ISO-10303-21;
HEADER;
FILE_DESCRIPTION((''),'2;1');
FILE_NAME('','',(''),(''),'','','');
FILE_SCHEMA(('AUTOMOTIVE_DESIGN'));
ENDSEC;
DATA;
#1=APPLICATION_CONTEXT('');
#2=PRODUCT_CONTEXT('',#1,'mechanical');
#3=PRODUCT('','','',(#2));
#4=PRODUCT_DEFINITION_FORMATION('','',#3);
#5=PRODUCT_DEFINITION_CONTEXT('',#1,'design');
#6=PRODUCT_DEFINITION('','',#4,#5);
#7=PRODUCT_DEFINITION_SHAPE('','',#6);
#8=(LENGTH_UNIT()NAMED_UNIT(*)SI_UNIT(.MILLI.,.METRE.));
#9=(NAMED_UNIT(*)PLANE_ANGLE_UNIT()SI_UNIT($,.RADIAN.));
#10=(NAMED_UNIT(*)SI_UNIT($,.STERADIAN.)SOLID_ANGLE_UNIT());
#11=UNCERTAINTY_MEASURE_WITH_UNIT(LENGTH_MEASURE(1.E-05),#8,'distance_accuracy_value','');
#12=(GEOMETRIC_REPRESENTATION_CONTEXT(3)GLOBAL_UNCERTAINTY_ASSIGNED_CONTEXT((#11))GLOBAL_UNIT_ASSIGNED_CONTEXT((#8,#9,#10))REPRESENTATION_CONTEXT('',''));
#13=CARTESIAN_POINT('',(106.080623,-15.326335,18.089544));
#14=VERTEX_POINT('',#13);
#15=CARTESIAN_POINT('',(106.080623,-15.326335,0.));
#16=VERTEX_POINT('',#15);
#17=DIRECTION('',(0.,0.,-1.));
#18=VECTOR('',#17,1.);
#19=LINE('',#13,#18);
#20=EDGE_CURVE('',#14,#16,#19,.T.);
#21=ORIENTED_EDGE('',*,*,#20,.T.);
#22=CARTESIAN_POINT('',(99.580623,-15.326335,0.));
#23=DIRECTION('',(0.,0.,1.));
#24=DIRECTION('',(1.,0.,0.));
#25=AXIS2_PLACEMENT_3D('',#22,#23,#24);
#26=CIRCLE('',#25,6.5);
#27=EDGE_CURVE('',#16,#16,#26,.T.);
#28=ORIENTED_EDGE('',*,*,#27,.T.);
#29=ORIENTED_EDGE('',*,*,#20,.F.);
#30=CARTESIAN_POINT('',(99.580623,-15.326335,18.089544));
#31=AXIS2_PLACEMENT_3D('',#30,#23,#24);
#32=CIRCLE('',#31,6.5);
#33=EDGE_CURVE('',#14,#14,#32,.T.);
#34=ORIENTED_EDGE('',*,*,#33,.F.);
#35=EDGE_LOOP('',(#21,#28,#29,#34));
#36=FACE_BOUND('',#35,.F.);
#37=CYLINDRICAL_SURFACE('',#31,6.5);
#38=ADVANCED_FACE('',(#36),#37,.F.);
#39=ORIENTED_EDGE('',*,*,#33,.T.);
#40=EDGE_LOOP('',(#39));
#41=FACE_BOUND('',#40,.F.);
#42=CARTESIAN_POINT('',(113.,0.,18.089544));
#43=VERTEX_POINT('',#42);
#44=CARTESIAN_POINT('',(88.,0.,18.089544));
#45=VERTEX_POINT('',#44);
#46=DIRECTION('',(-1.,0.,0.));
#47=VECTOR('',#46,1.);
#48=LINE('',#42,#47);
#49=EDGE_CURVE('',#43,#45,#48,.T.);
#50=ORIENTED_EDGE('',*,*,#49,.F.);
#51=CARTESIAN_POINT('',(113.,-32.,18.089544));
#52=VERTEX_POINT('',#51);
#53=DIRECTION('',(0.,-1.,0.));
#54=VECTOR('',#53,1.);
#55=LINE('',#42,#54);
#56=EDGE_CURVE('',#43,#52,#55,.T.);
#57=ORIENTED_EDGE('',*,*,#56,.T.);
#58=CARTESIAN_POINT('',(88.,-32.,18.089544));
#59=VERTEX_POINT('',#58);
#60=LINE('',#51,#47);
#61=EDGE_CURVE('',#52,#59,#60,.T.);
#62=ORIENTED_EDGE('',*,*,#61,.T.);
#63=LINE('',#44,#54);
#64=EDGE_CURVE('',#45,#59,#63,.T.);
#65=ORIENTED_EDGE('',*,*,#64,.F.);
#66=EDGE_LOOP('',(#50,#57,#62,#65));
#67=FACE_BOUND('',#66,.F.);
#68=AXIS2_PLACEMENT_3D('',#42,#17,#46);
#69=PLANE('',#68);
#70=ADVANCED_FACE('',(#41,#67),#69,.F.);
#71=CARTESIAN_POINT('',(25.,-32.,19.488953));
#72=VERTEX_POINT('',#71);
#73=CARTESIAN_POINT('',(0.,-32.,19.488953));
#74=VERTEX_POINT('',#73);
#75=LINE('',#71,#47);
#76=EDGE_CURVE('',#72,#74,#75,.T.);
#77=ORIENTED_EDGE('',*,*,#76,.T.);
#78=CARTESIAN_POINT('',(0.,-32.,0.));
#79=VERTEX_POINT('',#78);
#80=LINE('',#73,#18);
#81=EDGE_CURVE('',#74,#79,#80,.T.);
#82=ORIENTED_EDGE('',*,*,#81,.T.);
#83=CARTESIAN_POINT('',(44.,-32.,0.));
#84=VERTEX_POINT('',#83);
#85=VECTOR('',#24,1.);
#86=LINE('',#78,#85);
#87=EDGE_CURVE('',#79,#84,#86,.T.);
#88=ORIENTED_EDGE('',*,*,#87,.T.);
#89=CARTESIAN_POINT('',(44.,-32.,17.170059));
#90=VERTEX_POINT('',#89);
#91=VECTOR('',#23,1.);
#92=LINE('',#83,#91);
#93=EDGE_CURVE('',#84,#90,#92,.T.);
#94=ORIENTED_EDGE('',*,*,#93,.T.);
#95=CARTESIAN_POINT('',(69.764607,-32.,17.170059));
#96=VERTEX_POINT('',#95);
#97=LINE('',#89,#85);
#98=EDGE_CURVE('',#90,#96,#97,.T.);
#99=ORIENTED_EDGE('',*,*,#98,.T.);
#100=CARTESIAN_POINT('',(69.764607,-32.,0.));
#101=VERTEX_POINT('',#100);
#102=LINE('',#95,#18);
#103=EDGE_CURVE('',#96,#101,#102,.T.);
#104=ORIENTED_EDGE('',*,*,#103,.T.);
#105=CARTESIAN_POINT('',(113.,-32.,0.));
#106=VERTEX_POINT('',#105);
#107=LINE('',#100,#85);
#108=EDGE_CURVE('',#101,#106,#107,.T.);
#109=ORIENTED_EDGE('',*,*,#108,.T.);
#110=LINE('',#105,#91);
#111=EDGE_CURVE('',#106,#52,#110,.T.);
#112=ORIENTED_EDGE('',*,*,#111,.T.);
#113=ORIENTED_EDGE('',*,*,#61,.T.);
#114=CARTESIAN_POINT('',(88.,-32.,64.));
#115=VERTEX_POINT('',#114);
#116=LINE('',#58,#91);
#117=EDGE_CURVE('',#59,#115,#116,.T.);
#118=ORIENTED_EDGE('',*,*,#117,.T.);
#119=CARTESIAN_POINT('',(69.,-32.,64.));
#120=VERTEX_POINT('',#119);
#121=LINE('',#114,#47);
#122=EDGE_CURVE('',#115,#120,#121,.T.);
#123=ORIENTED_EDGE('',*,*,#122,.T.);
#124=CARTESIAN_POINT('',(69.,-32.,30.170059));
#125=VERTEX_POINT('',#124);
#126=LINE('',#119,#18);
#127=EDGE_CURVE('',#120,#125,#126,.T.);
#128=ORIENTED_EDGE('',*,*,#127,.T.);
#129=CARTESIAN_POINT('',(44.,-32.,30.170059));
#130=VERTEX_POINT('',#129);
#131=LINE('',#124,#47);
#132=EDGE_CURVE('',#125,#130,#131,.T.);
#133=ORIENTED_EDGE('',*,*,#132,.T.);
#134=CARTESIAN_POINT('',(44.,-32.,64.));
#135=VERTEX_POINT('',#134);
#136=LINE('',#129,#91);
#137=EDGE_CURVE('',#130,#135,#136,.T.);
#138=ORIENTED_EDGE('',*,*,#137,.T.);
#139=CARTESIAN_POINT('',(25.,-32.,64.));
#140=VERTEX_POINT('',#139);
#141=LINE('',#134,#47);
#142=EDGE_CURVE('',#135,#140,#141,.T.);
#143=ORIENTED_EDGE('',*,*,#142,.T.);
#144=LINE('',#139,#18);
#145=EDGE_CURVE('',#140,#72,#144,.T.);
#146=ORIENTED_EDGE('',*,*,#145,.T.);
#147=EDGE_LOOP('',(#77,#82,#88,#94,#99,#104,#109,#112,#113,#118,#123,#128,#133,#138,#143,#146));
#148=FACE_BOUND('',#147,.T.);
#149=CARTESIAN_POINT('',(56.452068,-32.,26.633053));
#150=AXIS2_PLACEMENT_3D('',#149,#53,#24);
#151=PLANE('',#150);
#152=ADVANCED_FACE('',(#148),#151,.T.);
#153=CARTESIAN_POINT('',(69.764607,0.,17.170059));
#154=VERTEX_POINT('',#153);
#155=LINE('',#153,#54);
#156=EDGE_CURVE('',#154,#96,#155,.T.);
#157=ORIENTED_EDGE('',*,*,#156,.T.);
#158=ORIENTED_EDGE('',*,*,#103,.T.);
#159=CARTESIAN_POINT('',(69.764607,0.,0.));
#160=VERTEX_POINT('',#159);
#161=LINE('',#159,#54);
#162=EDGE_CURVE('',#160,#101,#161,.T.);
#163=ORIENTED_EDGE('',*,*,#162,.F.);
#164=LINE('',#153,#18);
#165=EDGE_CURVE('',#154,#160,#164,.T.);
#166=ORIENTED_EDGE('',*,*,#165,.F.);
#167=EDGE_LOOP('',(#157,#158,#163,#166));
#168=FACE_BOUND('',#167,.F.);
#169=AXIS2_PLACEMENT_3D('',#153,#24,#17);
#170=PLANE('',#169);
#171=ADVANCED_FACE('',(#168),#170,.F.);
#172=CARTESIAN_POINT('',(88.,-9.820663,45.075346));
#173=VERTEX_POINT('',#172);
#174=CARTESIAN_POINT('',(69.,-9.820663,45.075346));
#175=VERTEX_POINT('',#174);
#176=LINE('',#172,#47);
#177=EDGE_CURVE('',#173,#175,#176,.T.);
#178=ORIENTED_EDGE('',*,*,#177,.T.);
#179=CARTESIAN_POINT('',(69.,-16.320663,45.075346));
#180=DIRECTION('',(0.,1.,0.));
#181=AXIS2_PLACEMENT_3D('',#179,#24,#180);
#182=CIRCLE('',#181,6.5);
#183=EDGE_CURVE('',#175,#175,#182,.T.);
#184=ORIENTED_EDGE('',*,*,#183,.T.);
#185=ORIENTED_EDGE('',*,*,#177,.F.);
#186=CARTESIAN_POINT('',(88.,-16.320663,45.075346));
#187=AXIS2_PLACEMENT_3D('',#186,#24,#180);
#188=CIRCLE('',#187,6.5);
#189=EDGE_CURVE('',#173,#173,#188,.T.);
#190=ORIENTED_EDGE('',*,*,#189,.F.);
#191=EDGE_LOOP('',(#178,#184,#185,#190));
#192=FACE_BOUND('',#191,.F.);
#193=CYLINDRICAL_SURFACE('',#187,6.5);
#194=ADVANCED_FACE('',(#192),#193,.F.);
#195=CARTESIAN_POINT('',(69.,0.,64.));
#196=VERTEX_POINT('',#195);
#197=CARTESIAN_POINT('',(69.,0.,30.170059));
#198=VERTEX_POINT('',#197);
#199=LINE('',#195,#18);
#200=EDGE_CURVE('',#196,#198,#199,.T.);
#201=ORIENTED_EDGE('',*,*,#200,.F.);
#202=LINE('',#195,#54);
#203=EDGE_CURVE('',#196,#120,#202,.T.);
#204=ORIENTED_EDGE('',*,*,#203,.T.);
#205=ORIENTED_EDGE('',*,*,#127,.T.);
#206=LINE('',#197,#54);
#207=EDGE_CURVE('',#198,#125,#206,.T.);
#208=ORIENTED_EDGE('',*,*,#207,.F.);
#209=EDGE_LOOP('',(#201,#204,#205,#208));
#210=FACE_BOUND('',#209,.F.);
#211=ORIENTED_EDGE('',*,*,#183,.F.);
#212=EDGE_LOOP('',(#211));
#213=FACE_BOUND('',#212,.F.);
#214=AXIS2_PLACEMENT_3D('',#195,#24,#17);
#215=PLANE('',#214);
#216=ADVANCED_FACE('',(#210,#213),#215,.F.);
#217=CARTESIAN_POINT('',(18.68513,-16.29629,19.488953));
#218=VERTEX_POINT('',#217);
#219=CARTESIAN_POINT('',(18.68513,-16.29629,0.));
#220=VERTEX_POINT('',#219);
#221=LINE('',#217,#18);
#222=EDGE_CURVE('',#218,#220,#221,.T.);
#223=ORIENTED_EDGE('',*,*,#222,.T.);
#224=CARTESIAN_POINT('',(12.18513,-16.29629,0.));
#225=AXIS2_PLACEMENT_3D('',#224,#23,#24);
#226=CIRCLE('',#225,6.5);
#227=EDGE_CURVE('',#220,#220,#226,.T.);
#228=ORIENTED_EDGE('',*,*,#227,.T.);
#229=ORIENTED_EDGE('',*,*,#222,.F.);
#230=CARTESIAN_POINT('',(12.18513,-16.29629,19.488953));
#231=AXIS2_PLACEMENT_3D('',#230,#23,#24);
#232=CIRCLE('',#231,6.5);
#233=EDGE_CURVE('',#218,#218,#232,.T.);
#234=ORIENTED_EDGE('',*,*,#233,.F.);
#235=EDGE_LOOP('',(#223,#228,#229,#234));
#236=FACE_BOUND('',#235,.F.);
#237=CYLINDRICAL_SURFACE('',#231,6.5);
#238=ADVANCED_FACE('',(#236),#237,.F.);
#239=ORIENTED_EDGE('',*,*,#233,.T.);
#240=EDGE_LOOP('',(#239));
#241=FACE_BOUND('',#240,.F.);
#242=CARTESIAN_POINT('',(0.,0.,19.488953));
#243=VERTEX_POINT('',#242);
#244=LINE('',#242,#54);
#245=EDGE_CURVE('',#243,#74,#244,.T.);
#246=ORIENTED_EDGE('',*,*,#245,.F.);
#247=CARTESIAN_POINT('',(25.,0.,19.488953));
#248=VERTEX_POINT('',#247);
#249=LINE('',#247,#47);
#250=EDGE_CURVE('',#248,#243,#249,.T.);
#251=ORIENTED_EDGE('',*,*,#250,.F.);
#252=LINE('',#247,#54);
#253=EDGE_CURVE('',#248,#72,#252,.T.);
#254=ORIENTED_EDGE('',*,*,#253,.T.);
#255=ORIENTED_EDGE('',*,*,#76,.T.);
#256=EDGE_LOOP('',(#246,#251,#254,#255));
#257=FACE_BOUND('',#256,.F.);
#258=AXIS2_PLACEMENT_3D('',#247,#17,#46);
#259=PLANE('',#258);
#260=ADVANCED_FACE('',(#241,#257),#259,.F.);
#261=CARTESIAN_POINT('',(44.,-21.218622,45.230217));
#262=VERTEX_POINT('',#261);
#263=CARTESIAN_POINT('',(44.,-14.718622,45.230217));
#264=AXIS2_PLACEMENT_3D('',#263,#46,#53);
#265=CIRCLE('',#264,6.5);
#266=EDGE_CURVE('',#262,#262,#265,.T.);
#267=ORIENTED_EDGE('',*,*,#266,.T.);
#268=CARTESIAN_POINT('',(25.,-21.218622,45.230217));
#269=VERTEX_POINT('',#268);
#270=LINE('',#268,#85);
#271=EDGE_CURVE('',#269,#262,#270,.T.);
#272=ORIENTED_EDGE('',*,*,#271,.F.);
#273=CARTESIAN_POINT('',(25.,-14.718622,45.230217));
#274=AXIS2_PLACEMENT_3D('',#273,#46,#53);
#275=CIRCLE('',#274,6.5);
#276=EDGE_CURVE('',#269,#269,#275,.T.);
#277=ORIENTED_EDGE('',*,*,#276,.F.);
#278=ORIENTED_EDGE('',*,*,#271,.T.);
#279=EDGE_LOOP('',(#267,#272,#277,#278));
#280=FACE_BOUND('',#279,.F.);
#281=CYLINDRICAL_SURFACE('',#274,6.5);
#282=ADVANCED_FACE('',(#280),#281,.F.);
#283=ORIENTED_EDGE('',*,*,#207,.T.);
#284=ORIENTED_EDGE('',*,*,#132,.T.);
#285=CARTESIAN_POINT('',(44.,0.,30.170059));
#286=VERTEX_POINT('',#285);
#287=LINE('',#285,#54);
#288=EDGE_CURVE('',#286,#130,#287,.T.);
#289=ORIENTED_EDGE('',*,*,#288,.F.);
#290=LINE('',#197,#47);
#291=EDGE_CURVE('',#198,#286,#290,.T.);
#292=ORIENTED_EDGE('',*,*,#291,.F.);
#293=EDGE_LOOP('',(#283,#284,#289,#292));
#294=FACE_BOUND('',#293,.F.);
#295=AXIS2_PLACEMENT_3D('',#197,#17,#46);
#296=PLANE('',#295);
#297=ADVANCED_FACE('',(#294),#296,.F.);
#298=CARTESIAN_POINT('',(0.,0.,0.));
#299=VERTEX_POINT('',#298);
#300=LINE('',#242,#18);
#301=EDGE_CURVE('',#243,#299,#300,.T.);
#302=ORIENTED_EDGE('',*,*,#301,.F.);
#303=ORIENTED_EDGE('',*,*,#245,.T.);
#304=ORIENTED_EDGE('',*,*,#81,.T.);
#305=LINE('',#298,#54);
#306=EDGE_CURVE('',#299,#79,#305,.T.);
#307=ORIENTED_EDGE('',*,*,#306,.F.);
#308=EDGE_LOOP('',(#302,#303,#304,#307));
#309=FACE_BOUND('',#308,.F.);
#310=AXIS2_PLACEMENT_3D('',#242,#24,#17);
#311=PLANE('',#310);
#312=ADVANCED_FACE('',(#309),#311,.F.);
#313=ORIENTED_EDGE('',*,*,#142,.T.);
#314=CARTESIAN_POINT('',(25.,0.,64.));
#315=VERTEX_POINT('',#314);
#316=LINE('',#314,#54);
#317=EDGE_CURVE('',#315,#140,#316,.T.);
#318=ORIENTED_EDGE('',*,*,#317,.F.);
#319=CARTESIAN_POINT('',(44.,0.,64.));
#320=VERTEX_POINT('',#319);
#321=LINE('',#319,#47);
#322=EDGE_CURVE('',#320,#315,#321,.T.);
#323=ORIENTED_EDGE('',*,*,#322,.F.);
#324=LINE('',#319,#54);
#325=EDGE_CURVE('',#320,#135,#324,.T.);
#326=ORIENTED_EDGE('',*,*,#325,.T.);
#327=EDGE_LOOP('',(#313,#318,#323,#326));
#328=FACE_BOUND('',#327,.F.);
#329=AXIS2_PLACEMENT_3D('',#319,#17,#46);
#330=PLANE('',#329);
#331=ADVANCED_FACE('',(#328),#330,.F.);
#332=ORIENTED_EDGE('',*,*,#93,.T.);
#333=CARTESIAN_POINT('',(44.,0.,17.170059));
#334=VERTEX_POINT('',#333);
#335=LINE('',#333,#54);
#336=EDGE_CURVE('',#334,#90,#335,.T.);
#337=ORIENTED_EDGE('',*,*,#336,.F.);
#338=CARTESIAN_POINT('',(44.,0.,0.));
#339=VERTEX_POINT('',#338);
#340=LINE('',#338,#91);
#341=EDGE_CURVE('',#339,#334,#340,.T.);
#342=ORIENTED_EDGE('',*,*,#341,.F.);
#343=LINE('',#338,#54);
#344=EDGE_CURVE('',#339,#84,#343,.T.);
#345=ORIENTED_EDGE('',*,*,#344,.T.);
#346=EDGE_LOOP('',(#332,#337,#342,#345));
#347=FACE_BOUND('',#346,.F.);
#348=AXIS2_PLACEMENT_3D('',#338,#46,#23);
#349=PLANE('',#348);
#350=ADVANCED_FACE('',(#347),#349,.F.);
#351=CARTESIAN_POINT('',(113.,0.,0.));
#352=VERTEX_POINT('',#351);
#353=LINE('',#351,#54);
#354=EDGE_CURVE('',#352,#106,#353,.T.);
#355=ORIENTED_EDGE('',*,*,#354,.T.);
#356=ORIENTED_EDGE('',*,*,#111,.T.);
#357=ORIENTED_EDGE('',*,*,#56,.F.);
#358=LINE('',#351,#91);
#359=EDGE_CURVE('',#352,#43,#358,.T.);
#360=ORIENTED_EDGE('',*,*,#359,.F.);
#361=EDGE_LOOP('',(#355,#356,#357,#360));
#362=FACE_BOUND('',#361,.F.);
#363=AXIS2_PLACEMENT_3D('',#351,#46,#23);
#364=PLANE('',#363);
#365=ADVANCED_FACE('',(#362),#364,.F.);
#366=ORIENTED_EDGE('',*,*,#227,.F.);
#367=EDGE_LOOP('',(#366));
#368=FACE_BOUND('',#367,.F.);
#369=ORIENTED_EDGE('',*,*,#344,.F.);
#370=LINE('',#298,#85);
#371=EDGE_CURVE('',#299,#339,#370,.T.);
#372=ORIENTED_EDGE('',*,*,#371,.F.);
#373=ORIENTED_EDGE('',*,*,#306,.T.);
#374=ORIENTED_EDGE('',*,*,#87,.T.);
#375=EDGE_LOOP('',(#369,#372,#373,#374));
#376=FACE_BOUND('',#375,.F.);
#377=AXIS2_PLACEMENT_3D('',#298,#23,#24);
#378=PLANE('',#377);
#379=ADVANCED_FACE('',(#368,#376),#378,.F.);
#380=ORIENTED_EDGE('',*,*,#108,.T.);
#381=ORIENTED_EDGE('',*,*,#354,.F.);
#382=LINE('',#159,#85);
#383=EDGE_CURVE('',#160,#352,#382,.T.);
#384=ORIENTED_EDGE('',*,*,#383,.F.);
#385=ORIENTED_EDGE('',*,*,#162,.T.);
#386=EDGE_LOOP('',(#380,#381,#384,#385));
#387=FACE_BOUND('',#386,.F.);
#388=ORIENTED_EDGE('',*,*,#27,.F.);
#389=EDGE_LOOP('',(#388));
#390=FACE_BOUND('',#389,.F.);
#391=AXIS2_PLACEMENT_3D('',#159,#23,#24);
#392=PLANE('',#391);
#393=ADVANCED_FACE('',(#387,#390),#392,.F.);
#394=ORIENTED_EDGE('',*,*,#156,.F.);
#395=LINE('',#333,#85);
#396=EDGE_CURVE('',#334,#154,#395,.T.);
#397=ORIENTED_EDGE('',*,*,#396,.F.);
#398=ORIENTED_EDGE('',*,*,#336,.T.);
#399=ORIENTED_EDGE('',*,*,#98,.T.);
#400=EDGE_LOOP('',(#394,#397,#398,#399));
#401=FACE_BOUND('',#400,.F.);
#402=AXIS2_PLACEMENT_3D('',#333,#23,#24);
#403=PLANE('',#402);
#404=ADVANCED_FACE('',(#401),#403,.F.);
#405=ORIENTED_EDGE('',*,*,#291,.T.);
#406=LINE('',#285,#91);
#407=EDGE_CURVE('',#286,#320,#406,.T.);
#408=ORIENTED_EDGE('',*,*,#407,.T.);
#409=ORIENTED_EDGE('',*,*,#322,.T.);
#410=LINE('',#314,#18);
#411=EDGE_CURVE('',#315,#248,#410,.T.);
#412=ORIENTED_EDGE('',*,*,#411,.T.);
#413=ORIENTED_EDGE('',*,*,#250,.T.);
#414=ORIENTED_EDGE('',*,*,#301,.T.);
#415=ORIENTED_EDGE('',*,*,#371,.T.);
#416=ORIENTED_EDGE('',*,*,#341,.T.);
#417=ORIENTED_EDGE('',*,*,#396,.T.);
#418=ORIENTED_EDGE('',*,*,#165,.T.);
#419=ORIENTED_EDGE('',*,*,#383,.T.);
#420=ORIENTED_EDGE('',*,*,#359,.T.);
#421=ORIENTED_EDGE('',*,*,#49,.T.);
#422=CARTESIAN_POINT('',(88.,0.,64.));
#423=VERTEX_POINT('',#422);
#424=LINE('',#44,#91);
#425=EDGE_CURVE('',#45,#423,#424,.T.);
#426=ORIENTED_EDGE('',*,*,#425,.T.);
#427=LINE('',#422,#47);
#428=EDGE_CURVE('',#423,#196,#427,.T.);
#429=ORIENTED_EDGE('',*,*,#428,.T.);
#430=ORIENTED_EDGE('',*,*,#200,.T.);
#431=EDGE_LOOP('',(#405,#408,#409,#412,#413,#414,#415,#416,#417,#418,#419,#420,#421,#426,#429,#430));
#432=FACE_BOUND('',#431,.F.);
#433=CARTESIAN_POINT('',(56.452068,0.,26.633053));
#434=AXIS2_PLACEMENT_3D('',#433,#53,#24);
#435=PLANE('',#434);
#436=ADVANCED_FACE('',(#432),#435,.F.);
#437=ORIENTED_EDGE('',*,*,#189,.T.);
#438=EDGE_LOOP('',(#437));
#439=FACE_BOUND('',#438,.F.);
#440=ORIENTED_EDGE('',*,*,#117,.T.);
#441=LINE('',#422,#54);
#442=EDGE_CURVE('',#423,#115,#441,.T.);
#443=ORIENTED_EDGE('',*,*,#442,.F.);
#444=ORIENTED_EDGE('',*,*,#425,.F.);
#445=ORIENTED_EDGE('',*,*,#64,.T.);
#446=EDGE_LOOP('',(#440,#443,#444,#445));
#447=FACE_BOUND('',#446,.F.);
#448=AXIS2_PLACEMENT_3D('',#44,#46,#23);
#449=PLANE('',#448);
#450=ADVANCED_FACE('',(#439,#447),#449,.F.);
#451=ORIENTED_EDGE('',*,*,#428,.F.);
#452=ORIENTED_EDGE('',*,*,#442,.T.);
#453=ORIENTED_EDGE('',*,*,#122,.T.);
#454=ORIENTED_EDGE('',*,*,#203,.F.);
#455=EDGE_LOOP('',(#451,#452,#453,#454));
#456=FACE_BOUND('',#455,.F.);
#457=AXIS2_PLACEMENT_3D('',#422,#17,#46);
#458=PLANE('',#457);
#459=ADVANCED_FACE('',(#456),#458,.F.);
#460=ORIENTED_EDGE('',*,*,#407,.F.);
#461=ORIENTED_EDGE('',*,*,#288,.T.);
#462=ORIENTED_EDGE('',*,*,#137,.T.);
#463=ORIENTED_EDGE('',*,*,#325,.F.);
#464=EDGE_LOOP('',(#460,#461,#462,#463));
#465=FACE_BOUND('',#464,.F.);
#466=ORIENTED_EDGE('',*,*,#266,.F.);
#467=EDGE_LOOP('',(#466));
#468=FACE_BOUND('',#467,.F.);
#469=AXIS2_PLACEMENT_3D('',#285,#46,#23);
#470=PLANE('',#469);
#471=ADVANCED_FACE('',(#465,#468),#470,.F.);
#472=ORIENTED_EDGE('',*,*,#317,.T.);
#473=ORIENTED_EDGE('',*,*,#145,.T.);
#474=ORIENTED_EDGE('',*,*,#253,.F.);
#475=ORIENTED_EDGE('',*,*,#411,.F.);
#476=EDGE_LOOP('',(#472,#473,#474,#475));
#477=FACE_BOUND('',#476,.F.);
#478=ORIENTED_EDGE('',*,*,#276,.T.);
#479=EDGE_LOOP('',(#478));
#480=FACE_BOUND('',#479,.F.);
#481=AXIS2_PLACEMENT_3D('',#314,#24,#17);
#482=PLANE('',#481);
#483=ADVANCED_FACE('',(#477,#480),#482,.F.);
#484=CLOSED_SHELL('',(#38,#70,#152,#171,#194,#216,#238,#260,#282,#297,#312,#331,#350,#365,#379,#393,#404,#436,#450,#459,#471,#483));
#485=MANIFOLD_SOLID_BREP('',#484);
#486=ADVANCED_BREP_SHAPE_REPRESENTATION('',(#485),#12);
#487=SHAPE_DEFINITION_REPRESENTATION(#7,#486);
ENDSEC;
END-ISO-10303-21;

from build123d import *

# Parameters (mm, degrees)
F1_DEPTH = 32
F2_R     = 6.5
F3_DEPTH = 25
F4_R     = 6.5
F5_DEPTH = 25
F6_R     = 6.5
F7_DEPTH = 25
F8_R     = 6.5
F9_DEPTH = 25


with BuildPart() as f1:
    # F0 (on Front) → F1 (new body)
    with BuildSketch(Plane.XZ):
        Polygon((0, 19.488953), (0, 0), (44, 0), (44, 17.170059), (69.764607, 17.170059), (69.764607, 0), (113, 0), (113, 18.089544), (88, 18.089544), (88, 64), (69, 64), (69, 30.170059), (44, 30.170059), (44, 64), (25, 64), (25, 19.488953), align=None)
    extrude(amount=F1_DEPTH)

    # F2 (on face) → F3 (cut)
    with BuildSketch(Plane.XY.offset(18.089544)):
        with Locations((99.580623, -15.326335)):
            Circle(F2_R)
    extrude(amount=-F3_DEPTH, mode=Mode.SUBTRACT)

    # F4 (on face) → F5 (cut)
    with BuildSketch(Plane.XY.offset(19.488953)):
        with Locations((12.18513, -16.29629)):
            Circle(F4_R)
    extrude(amount=-F5_DEPTH, mode=Mode.SUBTRACT)

    # F6 (on face) → F7 (cut)
    with BuildSketch(Plane.YZ.offset(88)):
        with Locations((-16.320663, 45.075346)):
            Circle(F6_R)
    extrude(amount=-F7_DEPTH, mode=Mode.SUBTRACT)

    # F8 (on face) → F9 (cut)
    with BuildSketch(Plane(origin=(25, 0, 0), x_dir=(0, -1, 0), z_dir=(-1, 0, 0))):
        with Locations((14.718622, 45.230217)):
            Circle(F8_R)
    extrude(amount=-F9_DEPTH, mode=Mode.SUBTRACT)


solid = f1.part
